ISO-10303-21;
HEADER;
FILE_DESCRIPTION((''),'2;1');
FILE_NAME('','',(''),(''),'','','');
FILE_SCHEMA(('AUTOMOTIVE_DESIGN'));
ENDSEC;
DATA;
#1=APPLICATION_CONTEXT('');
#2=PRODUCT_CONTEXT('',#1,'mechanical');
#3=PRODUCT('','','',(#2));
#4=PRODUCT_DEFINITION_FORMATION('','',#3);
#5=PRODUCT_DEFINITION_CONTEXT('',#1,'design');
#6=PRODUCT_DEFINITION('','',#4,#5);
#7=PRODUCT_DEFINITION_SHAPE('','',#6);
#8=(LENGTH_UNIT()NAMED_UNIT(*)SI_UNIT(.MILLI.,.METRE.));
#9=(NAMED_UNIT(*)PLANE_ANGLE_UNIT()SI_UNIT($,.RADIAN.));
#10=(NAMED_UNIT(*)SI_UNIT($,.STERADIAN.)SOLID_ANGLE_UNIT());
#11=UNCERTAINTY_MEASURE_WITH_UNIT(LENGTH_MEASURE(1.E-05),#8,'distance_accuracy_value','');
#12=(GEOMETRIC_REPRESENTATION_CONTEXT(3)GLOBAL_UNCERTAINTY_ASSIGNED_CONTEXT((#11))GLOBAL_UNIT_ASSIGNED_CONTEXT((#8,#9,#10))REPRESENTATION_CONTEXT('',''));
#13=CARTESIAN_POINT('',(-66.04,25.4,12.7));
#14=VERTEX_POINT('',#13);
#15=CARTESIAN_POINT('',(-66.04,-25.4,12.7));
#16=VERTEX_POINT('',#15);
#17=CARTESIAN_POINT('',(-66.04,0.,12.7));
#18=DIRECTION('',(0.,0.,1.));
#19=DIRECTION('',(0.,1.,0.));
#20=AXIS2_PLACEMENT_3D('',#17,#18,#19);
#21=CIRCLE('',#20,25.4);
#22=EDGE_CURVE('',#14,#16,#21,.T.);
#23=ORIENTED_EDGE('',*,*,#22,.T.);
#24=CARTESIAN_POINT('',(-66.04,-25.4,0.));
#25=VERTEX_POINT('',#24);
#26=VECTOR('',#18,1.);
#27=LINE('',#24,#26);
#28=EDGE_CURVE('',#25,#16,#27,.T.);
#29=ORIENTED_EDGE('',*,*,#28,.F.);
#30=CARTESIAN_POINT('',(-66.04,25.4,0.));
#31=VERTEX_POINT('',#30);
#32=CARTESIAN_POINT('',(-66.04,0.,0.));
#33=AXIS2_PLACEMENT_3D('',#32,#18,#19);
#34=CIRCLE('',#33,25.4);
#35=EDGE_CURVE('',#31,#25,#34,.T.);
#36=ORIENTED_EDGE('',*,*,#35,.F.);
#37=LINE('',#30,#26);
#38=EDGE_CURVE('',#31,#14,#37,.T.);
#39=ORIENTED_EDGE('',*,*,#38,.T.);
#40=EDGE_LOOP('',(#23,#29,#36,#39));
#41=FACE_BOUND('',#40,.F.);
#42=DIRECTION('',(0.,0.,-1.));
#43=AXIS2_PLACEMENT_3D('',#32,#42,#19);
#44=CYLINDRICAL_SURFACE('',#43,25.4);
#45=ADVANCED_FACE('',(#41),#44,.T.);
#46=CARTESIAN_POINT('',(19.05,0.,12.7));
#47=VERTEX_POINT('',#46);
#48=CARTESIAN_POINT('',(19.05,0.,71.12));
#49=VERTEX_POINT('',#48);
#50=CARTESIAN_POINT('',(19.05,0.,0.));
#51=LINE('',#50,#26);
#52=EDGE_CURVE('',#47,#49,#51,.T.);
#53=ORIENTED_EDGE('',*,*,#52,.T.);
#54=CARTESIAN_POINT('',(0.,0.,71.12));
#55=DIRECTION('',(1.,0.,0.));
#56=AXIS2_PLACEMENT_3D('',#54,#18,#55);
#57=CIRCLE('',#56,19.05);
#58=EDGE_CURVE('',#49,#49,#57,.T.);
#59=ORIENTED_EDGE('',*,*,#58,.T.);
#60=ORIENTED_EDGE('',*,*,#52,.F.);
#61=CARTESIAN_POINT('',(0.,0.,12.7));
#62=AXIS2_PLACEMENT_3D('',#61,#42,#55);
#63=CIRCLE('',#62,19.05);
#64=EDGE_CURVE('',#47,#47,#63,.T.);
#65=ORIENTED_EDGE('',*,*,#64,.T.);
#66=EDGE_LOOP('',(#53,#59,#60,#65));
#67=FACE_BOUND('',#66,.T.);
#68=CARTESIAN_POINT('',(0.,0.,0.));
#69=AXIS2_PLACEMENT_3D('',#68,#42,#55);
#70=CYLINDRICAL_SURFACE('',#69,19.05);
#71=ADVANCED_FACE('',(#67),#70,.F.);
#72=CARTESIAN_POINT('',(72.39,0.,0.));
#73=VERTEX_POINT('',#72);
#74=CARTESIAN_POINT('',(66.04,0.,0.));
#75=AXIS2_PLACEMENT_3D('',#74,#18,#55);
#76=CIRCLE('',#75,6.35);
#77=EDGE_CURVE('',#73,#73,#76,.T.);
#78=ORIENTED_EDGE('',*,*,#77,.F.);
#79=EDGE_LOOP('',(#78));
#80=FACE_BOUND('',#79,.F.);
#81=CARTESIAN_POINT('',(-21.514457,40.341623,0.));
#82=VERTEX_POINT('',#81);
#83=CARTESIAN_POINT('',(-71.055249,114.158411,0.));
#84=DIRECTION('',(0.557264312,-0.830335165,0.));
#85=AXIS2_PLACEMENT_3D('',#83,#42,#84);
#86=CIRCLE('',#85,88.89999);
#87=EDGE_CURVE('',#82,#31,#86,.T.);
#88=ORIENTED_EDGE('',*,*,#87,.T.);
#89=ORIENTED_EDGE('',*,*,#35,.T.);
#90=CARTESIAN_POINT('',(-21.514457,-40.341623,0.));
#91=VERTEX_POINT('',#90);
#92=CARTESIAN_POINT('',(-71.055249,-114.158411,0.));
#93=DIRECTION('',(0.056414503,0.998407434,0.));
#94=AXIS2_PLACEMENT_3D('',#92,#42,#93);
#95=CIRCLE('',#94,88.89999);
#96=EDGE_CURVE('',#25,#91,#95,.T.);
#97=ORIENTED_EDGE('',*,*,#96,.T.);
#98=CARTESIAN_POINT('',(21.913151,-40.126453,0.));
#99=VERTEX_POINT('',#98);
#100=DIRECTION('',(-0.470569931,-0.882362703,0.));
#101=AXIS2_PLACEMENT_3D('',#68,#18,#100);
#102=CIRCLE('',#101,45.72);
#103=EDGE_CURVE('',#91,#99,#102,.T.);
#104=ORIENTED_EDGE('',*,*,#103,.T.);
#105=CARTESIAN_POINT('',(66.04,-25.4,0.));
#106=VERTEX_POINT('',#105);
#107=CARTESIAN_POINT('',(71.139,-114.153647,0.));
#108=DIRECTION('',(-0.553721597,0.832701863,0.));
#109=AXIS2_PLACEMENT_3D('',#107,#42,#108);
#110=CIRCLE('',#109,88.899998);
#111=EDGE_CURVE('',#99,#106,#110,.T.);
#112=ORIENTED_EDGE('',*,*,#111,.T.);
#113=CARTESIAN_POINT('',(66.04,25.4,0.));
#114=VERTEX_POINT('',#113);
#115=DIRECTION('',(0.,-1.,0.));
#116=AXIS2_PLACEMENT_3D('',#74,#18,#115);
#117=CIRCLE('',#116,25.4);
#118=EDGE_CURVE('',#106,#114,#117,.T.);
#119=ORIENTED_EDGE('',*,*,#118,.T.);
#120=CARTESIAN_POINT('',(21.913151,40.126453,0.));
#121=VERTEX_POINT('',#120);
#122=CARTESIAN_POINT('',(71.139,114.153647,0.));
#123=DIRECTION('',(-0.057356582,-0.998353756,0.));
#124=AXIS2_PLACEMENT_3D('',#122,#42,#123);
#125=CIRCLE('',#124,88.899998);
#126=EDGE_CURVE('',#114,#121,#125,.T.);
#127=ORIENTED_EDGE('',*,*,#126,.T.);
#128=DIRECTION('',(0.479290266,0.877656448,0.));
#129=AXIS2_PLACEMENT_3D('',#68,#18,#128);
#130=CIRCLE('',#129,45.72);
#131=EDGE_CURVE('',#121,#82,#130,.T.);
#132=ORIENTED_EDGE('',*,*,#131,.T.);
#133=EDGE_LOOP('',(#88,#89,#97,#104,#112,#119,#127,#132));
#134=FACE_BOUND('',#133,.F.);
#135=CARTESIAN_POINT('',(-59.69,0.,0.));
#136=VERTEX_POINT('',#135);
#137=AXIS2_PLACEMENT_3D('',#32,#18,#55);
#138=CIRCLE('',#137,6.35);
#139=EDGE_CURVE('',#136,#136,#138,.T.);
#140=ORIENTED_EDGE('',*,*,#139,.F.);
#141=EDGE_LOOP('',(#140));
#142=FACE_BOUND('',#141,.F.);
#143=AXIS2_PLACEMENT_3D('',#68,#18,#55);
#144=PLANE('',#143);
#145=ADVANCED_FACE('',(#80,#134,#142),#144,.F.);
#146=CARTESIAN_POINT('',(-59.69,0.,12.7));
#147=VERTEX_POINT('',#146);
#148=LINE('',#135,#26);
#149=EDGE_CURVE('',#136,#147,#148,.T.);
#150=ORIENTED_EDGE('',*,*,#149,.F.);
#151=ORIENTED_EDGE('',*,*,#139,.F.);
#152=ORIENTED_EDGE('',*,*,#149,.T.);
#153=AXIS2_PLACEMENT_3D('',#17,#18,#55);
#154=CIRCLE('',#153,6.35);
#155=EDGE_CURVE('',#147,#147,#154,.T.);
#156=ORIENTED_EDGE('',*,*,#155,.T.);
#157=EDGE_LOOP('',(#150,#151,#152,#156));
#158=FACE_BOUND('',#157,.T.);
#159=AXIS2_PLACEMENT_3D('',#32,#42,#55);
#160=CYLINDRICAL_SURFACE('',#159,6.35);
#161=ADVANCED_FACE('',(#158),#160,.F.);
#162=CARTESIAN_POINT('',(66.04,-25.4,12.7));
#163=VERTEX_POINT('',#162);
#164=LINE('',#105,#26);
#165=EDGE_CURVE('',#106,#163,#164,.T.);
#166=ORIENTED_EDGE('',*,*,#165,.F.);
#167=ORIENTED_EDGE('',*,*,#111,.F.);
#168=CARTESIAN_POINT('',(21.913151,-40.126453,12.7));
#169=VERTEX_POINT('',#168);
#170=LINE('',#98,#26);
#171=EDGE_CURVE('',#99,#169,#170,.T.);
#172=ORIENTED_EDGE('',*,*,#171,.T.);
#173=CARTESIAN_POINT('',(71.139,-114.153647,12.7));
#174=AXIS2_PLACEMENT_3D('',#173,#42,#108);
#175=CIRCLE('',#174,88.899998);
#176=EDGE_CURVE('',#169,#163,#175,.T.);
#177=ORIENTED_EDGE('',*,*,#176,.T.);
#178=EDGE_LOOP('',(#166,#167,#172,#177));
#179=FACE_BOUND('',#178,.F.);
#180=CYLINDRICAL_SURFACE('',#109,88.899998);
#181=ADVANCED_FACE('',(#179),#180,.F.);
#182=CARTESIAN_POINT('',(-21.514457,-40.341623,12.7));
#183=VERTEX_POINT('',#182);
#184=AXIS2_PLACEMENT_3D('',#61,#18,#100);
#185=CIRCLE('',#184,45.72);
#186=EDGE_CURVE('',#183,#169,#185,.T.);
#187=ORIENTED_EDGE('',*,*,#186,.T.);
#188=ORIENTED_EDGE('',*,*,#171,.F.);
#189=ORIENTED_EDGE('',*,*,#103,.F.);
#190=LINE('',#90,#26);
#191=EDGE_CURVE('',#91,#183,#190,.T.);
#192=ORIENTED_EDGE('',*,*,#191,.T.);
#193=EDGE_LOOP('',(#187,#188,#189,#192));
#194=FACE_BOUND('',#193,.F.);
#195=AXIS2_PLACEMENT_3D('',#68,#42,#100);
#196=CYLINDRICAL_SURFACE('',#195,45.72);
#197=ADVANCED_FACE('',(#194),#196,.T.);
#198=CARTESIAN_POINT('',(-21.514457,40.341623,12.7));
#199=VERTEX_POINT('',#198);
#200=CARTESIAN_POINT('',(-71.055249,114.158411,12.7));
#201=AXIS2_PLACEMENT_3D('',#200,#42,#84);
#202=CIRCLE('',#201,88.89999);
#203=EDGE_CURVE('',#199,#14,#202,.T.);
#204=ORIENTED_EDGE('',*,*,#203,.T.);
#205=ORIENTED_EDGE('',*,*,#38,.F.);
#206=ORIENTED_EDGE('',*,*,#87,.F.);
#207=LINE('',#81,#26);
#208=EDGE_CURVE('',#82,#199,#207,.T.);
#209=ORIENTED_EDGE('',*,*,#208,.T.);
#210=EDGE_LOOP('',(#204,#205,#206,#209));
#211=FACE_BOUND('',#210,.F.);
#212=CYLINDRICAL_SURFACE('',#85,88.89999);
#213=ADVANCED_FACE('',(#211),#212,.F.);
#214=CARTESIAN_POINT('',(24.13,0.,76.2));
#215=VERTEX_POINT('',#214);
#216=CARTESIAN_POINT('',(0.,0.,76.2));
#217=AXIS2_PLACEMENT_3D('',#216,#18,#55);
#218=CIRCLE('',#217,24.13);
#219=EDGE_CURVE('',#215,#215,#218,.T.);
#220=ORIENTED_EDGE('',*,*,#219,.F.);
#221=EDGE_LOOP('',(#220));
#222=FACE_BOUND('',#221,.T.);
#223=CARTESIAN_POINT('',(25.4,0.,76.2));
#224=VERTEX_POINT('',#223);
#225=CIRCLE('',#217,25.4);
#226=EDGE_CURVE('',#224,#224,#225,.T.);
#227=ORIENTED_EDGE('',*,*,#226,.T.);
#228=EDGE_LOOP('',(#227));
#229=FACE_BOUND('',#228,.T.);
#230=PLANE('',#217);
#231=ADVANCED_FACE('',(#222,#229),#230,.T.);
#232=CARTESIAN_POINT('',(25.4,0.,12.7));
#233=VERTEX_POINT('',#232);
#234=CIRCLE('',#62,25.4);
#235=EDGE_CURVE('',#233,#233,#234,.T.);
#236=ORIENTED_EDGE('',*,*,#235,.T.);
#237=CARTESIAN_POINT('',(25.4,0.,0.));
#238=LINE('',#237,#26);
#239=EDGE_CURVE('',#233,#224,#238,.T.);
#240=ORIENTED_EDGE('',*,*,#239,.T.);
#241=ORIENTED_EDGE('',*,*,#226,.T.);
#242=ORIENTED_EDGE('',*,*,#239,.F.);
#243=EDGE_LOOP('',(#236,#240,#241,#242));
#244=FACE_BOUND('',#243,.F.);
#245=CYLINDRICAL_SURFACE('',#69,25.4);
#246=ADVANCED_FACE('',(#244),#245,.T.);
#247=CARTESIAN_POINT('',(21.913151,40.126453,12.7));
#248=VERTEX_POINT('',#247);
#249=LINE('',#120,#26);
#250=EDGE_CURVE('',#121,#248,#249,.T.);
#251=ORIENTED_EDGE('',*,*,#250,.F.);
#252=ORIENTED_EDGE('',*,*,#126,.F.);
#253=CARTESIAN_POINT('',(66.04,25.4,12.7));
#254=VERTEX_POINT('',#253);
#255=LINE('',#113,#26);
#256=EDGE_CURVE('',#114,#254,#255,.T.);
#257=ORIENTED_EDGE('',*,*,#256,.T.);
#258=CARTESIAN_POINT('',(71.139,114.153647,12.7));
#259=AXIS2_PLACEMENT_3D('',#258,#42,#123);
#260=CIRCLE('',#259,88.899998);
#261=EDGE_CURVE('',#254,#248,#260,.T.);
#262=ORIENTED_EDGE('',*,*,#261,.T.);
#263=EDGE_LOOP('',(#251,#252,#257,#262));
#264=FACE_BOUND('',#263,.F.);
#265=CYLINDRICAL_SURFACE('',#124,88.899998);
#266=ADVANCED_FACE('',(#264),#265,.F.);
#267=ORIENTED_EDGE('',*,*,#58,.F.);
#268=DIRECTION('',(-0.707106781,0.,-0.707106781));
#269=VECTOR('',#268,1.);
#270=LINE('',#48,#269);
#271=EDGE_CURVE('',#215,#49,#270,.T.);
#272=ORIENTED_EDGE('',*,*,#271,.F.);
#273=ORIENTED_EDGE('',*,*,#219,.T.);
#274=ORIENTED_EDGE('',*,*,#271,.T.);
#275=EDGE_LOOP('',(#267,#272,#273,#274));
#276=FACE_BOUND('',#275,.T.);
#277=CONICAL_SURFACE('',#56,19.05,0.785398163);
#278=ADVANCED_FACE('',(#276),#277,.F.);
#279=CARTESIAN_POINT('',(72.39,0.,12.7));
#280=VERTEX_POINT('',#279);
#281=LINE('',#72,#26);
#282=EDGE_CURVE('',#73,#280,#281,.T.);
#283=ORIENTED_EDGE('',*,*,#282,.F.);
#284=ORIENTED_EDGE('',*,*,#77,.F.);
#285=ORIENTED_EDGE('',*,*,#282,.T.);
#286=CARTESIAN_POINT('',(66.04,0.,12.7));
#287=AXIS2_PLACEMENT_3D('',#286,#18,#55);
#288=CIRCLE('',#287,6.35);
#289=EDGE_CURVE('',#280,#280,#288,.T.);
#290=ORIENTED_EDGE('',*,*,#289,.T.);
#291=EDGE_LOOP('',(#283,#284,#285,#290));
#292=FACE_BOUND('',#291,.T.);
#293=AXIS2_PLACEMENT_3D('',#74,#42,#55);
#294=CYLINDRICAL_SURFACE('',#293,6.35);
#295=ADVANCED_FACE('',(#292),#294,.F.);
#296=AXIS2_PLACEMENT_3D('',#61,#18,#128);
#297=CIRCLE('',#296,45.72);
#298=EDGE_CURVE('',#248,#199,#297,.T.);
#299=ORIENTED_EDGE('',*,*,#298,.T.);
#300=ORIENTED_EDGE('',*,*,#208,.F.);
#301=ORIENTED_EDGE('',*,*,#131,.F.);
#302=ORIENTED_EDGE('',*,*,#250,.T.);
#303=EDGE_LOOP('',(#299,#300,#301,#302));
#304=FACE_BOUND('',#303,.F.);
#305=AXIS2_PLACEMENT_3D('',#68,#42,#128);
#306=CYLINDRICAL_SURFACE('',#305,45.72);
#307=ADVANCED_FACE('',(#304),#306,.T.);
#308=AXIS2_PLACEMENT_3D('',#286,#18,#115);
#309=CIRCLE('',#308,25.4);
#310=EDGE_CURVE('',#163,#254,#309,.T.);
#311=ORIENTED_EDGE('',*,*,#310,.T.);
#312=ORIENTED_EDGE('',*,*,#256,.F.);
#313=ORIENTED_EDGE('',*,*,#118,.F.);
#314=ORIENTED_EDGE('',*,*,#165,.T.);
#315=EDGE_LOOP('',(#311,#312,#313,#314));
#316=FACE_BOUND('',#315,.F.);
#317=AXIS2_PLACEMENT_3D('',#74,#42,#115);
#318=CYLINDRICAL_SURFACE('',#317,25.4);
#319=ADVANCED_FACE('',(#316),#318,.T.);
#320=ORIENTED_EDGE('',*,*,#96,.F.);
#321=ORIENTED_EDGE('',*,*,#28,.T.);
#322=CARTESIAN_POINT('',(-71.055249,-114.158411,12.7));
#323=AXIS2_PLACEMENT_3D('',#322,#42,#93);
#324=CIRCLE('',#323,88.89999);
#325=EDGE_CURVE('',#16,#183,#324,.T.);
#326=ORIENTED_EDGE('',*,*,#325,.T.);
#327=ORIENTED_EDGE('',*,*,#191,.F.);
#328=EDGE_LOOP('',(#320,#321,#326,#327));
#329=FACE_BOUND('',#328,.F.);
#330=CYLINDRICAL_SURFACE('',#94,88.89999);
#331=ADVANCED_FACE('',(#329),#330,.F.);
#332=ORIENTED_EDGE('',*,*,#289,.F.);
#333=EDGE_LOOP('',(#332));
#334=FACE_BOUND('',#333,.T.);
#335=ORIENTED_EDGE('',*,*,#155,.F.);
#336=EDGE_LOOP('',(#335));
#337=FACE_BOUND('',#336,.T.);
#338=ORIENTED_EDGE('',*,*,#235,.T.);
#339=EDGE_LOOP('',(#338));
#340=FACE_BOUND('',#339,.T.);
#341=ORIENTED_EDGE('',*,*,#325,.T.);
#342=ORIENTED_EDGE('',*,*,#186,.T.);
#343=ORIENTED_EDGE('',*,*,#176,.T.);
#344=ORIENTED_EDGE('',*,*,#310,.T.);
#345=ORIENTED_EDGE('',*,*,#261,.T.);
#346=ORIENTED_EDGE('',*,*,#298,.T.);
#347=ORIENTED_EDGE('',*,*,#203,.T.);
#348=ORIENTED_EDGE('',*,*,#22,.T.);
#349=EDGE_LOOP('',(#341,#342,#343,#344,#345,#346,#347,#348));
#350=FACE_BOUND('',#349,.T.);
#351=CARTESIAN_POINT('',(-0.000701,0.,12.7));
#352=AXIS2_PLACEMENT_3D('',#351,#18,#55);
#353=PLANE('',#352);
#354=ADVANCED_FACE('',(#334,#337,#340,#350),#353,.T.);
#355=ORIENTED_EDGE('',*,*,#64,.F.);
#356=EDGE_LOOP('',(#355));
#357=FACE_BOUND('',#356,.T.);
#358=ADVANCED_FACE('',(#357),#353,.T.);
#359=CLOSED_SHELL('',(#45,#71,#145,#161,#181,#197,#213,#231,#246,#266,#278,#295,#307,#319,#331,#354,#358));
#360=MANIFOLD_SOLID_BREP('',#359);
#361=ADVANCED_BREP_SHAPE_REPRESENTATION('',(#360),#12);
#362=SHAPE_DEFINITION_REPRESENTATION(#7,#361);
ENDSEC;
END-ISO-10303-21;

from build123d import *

# Parameters (mm, degrees)
F0_R     = 6.35
F1_DEPTH = 12.7
F2_R     = 25.4
F2_R_2   = 19.05
F3_DEPTH = 76.2
F4_SIZE  = 5.08


with BuildPart() as f1:
    # F0 (on Top) → F1 (new body)
    with BuildSketch(Plane.XY):
        with BuildLine():
            ThreePointArc((-66.04, -25.4), (-42.772685, -29.877305), (-21.514457, -40.341623))
            ThreePointArc((-21.514457, -40.341623), (0.226525, -45.719439), (21.913151, -40.126453))
            ThreePointArc((21.913151, -40.126453), (42.996249, -29.825744), (66.04, -25.4))
            ThreePointArc((66.04, -25.4), (91.44, 0), (66.04, 25.4))
            ThreePointArc((66.04, 25.4), (42.996249, 29.825744), (21.913151, 40.126453))
            ThreePointArc((21.913151, 40.126453), (0.226525, 45.719439), (-21.514457, 40.341623))
            ThreePointArc((-21.514457, 40.341623), (-42.772685, 29.877305), (-66.04, 25.4))
            ThreePointArc((-66.04, 25.4), (-91.44, 0), (-66.04, -25.4))
        make_face()
        with Locations((-66.04, 0)):
            Circle(F0_R, mode=Mode.SUBTRACT)
        with Locations((66.04, 0)):
            Circle(F0_R, mode=Mode.SUBTRACT)
    extrude(amount=F1_DEPTH)

    # F2 (on Top) → F3 (join)
    with BuildSketch(Plane.XY):
        Circle(F2_R)
        Circle(F2_R_2, mode=Mode.SUBTRACT)
    extrude(amount=F3_DEPTH)

    # F4
    f4_edges = [f1.edges().sort_by_distance(p)[0] for p in [
        (-19.05, 0, 76.2),
    ]]
    chamfer(f4_edges, length=F4_SIZE)


solid = f1.part
